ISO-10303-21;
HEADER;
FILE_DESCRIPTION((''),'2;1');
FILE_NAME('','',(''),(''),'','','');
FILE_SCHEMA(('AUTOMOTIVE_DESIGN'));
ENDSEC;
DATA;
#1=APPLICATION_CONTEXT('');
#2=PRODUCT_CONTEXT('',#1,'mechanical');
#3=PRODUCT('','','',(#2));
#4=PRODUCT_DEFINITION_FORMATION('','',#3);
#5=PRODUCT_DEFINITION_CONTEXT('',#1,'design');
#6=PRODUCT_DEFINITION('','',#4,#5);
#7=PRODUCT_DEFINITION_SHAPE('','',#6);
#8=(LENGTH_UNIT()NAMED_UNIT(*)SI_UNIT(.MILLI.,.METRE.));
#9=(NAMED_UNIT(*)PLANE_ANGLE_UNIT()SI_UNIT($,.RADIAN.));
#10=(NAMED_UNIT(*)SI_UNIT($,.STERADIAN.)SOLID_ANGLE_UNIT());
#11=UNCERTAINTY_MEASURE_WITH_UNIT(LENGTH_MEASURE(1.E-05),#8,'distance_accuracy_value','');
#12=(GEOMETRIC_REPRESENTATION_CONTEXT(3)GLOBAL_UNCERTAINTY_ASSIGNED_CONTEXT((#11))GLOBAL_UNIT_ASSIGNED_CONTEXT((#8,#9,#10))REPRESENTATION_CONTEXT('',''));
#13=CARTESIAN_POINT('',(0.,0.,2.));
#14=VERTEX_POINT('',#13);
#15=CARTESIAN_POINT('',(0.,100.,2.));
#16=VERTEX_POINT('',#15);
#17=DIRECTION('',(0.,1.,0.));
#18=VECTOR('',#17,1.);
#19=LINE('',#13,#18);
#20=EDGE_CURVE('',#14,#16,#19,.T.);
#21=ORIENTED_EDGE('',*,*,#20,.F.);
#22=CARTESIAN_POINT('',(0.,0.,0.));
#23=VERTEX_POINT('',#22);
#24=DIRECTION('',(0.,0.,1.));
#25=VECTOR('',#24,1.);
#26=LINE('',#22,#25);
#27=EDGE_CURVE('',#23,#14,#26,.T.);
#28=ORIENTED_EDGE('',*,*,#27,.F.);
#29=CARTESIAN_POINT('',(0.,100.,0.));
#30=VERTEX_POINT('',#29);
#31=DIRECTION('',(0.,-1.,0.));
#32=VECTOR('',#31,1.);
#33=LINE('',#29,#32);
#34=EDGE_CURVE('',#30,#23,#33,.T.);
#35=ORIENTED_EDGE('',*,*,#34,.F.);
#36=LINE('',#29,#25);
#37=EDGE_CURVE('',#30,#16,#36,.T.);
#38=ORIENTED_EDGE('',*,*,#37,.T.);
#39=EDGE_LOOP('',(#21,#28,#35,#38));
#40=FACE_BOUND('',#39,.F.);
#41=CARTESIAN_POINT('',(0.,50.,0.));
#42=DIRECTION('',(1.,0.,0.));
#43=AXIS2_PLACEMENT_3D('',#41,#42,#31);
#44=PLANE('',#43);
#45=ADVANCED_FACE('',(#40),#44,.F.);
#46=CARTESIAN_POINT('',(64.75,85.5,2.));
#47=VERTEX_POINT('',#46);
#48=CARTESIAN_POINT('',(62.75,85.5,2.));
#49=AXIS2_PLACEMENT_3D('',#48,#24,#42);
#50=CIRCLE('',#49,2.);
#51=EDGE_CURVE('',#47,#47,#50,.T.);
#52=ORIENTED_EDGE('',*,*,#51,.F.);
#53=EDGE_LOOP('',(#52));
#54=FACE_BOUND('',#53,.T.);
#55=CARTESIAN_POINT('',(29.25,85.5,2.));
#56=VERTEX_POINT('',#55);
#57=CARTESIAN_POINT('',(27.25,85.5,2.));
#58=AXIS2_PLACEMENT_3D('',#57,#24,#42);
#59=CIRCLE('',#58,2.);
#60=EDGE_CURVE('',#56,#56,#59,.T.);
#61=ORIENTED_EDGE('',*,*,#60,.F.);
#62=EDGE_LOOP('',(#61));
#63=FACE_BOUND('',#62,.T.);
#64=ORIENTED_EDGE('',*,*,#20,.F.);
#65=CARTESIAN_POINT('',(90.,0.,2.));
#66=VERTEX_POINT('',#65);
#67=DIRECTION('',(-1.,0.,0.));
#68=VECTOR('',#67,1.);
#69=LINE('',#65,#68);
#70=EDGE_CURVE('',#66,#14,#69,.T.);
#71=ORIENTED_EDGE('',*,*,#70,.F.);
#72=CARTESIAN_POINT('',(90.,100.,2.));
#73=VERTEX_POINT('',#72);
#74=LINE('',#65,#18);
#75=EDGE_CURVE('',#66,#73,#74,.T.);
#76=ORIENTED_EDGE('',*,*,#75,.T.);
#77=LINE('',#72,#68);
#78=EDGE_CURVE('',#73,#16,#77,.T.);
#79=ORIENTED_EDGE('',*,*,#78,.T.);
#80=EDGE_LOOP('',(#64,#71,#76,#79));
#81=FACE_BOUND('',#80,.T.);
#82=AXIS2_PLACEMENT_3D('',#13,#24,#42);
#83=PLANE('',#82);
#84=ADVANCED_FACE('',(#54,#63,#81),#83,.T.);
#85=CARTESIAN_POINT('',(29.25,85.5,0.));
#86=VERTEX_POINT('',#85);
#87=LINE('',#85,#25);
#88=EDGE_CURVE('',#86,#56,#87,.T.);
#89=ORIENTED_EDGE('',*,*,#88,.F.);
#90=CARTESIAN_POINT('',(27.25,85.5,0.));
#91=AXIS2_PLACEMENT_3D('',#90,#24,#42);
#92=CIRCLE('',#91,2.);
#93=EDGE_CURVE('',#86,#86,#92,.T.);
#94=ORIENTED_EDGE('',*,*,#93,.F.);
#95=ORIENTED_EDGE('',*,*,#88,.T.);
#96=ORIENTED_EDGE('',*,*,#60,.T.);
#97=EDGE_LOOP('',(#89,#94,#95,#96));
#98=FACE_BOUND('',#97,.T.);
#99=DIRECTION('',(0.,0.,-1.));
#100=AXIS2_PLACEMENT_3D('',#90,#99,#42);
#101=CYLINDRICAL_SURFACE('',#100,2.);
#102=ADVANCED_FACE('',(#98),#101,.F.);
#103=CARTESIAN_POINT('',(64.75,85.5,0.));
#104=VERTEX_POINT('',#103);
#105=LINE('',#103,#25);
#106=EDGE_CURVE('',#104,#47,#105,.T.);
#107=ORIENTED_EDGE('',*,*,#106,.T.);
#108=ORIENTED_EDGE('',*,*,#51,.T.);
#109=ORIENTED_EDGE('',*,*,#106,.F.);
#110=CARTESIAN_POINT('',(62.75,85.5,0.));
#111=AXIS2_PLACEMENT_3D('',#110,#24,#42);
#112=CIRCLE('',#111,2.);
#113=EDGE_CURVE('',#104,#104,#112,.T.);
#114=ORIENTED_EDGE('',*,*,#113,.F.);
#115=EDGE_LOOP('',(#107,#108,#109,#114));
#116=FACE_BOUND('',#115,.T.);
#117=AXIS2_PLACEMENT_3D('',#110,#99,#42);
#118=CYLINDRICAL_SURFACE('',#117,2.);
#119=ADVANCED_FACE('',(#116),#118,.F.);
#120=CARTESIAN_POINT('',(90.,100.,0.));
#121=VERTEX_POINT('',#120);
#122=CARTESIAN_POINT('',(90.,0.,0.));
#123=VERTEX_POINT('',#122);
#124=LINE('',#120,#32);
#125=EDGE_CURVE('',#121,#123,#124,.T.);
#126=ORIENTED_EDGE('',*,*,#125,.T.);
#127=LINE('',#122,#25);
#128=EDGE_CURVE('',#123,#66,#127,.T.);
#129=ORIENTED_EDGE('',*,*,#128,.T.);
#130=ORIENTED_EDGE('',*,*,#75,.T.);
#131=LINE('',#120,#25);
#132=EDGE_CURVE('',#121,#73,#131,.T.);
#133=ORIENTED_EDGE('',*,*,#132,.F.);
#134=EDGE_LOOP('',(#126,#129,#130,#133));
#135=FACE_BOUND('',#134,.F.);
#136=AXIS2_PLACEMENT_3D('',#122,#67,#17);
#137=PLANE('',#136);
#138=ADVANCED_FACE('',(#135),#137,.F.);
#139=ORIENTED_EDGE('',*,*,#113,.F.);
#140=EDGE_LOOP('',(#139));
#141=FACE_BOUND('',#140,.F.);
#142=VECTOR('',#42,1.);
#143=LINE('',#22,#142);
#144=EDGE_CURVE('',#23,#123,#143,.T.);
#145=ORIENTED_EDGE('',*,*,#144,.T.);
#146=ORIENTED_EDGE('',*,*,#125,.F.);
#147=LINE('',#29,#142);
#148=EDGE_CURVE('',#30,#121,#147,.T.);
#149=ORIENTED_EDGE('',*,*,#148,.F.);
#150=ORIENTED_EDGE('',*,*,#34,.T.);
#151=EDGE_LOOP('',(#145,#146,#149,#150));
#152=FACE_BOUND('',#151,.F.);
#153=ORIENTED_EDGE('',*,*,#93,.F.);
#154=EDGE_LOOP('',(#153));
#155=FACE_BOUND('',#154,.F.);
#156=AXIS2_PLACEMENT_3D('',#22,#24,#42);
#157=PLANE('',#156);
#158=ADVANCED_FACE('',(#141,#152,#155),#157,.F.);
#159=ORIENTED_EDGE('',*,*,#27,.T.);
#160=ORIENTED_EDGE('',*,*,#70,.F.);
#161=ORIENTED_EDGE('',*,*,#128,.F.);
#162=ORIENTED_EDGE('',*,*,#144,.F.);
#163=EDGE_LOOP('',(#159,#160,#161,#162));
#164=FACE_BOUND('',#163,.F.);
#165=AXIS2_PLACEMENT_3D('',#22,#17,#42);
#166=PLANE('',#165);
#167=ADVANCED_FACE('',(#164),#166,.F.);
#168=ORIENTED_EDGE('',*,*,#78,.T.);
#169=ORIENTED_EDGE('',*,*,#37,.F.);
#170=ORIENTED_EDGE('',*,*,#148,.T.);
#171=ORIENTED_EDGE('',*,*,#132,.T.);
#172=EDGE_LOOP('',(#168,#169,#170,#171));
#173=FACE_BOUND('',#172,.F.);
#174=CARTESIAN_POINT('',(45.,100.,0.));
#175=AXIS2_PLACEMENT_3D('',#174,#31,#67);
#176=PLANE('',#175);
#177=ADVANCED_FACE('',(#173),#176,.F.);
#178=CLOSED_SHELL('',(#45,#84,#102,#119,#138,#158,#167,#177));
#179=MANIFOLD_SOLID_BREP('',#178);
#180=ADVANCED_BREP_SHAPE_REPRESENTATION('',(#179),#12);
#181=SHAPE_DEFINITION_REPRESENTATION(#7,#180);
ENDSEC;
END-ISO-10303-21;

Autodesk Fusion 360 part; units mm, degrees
sketch "Sketch1" plane through (0, 0, 0) normal (0, 0, 1) x (1, 0, 0)
  line L0 (0, 0) -> (90, 0)
  line L1 (90, 0) -> (90, 100)
  line L2 (90, 100) -> (0, 100)
  line L3 (0, 100) -> (0, 0)
  line L4 (45, 100) -> (45, 0)
  line L5 (90, 50) -> (0, 50)
  line L6 (45, 85.5) -> (49, 85.5) construction
  circle A0 centre (45, 85.5) radius 3 construction
  line L7 (45, 85.5) -> (27.25, 85.5) construction
  line L8 (45, 85.5) -> (62.75, 85.5) construction
  circle A1 centre (27.25, 85.5) radius 2
  circle A2 centre (62.75, 85.5) radius 2
  dimension "d1" = 90
  dimension "d2" = 100
  dimension "d3" = 14.5
  dimension "d4" = 6
  dimension "d5" = 17.75
  dimension "d6" = 4
extrude "Extrude1" add sketch "Sketch1" along normal blind 2
